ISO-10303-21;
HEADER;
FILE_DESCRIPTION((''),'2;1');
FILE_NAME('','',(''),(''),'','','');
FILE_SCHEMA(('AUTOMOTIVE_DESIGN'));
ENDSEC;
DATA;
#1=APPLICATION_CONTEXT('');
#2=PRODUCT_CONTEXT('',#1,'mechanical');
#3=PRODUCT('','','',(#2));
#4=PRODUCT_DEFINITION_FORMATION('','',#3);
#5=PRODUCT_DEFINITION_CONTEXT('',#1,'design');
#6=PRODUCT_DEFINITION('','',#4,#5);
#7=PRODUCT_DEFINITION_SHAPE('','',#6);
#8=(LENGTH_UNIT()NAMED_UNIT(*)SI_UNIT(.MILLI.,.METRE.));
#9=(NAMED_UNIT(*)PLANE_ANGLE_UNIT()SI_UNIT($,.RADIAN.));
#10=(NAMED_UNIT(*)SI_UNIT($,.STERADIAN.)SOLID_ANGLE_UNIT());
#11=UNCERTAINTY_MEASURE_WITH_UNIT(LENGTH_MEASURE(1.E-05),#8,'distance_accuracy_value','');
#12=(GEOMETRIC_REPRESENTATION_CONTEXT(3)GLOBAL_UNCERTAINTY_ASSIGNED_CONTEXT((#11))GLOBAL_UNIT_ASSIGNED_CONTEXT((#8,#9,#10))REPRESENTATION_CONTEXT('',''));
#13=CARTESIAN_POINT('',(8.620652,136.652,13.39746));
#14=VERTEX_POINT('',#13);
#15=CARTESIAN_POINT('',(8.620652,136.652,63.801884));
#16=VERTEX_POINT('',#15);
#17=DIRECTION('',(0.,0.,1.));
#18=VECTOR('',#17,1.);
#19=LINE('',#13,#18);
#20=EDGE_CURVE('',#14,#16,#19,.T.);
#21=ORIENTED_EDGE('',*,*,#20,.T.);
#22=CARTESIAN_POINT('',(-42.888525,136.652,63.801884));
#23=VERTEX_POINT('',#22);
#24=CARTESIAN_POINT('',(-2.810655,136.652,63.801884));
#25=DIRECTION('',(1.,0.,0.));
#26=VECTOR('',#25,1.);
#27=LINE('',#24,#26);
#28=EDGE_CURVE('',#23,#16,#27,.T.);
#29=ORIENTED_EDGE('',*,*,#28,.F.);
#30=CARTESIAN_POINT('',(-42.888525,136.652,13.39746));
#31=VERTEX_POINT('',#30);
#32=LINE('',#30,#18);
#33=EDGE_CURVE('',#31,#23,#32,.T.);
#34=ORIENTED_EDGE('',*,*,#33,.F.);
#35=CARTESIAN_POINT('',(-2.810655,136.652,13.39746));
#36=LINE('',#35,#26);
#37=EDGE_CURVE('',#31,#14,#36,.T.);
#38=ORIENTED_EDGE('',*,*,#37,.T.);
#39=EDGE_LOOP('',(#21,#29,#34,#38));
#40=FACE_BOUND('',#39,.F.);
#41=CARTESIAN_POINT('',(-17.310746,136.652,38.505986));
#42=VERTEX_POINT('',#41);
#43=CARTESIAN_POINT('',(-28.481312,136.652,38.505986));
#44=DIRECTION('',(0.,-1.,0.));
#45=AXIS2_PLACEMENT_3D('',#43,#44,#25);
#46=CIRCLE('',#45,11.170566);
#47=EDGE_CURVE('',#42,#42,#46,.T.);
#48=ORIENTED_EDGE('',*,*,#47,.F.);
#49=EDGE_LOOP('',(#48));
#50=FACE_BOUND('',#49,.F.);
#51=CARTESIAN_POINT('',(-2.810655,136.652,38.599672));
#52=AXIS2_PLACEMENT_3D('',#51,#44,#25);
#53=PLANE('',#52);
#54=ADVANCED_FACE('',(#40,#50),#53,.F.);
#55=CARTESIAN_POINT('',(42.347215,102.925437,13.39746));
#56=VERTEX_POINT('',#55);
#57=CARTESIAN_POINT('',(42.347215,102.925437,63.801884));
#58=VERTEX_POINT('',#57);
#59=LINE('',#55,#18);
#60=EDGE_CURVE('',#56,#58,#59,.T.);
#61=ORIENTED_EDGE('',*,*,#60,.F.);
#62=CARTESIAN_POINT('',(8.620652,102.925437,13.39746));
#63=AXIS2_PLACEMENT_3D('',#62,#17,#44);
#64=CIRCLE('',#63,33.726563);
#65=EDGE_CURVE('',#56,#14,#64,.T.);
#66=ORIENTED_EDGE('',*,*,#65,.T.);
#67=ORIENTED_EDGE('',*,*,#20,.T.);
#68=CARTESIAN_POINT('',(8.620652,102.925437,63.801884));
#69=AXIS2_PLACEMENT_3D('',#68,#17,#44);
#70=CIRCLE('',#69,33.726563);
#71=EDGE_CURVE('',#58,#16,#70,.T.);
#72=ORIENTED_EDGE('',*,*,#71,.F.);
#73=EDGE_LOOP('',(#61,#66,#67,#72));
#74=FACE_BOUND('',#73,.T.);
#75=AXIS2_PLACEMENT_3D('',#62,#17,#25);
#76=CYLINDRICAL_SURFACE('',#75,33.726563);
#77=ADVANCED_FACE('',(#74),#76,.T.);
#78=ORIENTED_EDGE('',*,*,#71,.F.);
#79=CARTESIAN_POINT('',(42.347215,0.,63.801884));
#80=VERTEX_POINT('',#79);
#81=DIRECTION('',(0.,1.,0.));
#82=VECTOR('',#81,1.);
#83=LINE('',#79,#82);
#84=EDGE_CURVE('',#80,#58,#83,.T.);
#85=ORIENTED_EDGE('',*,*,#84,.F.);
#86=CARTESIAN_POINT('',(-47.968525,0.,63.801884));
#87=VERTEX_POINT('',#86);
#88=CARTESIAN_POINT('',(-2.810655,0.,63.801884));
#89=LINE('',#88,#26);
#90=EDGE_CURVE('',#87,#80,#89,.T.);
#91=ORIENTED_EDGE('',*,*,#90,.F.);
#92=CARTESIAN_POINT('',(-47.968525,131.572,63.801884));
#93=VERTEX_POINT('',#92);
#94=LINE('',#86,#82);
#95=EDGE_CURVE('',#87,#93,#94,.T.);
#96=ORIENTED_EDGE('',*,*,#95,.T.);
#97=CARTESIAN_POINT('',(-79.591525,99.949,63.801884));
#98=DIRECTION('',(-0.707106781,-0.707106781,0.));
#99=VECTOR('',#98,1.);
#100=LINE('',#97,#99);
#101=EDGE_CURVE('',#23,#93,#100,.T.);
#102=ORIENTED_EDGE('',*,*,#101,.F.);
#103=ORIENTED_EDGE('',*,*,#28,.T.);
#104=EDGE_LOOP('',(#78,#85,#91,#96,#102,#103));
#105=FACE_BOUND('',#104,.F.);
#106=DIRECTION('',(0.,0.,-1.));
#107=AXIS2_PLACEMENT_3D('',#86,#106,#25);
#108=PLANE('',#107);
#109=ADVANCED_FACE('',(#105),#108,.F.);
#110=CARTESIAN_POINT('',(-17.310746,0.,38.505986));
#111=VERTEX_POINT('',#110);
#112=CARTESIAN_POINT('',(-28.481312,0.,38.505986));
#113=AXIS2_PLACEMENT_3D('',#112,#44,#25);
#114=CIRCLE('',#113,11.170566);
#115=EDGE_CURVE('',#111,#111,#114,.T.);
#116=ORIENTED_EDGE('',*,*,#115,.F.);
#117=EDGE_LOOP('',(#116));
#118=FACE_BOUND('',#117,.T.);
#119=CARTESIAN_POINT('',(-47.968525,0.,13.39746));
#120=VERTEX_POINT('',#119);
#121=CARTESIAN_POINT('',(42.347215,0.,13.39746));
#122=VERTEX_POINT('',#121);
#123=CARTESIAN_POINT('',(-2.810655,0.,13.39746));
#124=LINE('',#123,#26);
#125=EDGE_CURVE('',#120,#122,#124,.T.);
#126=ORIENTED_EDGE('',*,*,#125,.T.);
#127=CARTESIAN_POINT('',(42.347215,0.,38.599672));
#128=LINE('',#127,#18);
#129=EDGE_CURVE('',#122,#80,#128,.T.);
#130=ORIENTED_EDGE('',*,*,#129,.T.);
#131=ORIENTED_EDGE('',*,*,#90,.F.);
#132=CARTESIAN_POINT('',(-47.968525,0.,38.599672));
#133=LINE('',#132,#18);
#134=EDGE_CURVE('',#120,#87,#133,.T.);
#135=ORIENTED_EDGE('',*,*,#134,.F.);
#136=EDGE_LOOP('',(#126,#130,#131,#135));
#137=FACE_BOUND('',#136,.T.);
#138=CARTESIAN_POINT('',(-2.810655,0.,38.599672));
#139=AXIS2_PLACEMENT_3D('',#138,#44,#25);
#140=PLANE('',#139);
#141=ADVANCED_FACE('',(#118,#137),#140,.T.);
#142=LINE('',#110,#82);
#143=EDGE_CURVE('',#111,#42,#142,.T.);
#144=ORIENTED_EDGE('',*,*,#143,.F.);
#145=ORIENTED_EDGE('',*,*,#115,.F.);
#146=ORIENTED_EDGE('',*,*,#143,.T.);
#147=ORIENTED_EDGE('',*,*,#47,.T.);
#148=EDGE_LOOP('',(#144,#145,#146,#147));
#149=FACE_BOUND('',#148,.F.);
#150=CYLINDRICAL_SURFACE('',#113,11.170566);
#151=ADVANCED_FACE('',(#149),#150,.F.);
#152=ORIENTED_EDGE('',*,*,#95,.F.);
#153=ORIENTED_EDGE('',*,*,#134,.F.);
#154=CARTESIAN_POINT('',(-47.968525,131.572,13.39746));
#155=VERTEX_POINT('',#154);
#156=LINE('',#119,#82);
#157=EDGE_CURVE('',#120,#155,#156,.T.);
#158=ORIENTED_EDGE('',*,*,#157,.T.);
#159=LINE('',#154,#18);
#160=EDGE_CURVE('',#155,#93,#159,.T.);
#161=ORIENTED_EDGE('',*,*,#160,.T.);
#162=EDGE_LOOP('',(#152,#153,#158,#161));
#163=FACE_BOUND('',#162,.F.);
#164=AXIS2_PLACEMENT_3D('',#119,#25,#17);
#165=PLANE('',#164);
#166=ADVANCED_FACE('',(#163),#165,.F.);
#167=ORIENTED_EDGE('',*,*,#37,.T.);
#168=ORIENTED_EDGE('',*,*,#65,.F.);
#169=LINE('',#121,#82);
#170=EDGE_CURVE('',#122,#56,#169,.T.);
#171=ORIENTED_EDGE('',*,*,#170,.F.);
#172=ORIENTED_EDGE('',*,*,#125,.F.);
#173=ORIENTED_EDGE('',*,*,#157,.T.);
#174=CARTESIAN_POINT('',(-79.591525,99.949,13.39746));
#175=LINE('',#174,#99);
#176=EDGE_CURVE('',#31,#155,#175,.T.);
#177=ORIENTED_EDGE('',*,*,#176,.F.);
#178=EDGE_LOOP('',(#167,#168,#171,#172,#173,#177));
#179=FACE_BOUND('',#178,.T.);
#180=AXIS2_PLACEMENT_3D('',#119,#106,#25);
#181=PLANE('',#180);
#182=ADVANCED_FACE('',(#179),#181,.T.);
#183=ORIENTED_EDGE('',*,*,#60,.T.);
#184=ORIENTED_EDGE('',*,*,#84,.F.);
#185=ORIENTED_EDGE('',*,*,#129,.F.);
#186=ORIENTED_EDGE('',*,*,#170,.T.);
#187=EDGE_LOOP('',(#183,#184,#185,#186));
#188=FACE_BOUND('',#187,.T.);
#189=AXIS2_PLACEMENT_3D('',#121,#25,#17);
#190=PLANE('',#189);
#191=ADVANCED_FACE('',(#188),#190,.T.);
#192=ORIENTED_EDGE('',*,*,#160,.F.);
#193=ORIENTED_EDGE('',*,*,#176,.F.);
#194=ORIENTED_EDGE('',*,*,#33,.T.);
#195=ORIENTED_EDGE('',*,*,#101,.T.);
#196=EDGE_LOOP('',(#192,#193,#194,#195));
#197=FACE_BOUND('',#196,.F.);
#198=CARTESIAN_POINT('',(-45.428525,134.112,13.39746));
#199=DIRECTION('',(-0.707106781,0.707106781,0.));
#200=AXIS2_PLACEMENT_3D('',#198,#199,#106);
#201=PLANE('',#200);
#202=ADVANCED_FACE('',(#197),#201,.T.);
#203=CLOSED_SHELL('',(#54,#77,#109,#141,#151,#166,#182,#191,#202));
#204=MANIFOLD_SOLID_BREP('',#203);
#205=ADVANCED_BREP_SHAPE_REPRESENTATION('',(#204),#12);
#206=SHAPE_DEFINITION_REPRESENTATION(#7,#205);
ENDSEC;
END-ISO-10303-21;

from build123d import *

# Parameters (mm, degrees)
F0_W     = 90.31574
F0_H     = 50.404425
F0_R     = 11.170566
F1_DEPTH = 136.652
F2_R     = 33.726563
F3_SIZE  = 5.08


with BuildPart() as f1:
    # F0 (on Front) → F1 (new body)
    with BuildSketch(Plane.XZ):
        with Locations((-2.810655, 38.599672)):
            Rectangle(F0_W, F0_H)
        with Locations((-28.481312, 38.505986)):
            Circle(F0_R, mode=Mode.SUBTRACT)
    extrude(amount=-F1_DEPTH)

    # F2
    f2_edges = [f1.edges().sort_by_distance(p)[0] for p in [
        (42.347215, 136.652, 38.599672),
    ]]
    fillet(f2_edges, radius=F2_R)

    # F3
    f3_edges = [f1.edges().sort_by_distance(p)[0] for p in [
        (-47.968525, 136.652, 38.599672),
    ]]
    chamfer(f3_edges, length=F3_SIZE)


solid = f1.part
